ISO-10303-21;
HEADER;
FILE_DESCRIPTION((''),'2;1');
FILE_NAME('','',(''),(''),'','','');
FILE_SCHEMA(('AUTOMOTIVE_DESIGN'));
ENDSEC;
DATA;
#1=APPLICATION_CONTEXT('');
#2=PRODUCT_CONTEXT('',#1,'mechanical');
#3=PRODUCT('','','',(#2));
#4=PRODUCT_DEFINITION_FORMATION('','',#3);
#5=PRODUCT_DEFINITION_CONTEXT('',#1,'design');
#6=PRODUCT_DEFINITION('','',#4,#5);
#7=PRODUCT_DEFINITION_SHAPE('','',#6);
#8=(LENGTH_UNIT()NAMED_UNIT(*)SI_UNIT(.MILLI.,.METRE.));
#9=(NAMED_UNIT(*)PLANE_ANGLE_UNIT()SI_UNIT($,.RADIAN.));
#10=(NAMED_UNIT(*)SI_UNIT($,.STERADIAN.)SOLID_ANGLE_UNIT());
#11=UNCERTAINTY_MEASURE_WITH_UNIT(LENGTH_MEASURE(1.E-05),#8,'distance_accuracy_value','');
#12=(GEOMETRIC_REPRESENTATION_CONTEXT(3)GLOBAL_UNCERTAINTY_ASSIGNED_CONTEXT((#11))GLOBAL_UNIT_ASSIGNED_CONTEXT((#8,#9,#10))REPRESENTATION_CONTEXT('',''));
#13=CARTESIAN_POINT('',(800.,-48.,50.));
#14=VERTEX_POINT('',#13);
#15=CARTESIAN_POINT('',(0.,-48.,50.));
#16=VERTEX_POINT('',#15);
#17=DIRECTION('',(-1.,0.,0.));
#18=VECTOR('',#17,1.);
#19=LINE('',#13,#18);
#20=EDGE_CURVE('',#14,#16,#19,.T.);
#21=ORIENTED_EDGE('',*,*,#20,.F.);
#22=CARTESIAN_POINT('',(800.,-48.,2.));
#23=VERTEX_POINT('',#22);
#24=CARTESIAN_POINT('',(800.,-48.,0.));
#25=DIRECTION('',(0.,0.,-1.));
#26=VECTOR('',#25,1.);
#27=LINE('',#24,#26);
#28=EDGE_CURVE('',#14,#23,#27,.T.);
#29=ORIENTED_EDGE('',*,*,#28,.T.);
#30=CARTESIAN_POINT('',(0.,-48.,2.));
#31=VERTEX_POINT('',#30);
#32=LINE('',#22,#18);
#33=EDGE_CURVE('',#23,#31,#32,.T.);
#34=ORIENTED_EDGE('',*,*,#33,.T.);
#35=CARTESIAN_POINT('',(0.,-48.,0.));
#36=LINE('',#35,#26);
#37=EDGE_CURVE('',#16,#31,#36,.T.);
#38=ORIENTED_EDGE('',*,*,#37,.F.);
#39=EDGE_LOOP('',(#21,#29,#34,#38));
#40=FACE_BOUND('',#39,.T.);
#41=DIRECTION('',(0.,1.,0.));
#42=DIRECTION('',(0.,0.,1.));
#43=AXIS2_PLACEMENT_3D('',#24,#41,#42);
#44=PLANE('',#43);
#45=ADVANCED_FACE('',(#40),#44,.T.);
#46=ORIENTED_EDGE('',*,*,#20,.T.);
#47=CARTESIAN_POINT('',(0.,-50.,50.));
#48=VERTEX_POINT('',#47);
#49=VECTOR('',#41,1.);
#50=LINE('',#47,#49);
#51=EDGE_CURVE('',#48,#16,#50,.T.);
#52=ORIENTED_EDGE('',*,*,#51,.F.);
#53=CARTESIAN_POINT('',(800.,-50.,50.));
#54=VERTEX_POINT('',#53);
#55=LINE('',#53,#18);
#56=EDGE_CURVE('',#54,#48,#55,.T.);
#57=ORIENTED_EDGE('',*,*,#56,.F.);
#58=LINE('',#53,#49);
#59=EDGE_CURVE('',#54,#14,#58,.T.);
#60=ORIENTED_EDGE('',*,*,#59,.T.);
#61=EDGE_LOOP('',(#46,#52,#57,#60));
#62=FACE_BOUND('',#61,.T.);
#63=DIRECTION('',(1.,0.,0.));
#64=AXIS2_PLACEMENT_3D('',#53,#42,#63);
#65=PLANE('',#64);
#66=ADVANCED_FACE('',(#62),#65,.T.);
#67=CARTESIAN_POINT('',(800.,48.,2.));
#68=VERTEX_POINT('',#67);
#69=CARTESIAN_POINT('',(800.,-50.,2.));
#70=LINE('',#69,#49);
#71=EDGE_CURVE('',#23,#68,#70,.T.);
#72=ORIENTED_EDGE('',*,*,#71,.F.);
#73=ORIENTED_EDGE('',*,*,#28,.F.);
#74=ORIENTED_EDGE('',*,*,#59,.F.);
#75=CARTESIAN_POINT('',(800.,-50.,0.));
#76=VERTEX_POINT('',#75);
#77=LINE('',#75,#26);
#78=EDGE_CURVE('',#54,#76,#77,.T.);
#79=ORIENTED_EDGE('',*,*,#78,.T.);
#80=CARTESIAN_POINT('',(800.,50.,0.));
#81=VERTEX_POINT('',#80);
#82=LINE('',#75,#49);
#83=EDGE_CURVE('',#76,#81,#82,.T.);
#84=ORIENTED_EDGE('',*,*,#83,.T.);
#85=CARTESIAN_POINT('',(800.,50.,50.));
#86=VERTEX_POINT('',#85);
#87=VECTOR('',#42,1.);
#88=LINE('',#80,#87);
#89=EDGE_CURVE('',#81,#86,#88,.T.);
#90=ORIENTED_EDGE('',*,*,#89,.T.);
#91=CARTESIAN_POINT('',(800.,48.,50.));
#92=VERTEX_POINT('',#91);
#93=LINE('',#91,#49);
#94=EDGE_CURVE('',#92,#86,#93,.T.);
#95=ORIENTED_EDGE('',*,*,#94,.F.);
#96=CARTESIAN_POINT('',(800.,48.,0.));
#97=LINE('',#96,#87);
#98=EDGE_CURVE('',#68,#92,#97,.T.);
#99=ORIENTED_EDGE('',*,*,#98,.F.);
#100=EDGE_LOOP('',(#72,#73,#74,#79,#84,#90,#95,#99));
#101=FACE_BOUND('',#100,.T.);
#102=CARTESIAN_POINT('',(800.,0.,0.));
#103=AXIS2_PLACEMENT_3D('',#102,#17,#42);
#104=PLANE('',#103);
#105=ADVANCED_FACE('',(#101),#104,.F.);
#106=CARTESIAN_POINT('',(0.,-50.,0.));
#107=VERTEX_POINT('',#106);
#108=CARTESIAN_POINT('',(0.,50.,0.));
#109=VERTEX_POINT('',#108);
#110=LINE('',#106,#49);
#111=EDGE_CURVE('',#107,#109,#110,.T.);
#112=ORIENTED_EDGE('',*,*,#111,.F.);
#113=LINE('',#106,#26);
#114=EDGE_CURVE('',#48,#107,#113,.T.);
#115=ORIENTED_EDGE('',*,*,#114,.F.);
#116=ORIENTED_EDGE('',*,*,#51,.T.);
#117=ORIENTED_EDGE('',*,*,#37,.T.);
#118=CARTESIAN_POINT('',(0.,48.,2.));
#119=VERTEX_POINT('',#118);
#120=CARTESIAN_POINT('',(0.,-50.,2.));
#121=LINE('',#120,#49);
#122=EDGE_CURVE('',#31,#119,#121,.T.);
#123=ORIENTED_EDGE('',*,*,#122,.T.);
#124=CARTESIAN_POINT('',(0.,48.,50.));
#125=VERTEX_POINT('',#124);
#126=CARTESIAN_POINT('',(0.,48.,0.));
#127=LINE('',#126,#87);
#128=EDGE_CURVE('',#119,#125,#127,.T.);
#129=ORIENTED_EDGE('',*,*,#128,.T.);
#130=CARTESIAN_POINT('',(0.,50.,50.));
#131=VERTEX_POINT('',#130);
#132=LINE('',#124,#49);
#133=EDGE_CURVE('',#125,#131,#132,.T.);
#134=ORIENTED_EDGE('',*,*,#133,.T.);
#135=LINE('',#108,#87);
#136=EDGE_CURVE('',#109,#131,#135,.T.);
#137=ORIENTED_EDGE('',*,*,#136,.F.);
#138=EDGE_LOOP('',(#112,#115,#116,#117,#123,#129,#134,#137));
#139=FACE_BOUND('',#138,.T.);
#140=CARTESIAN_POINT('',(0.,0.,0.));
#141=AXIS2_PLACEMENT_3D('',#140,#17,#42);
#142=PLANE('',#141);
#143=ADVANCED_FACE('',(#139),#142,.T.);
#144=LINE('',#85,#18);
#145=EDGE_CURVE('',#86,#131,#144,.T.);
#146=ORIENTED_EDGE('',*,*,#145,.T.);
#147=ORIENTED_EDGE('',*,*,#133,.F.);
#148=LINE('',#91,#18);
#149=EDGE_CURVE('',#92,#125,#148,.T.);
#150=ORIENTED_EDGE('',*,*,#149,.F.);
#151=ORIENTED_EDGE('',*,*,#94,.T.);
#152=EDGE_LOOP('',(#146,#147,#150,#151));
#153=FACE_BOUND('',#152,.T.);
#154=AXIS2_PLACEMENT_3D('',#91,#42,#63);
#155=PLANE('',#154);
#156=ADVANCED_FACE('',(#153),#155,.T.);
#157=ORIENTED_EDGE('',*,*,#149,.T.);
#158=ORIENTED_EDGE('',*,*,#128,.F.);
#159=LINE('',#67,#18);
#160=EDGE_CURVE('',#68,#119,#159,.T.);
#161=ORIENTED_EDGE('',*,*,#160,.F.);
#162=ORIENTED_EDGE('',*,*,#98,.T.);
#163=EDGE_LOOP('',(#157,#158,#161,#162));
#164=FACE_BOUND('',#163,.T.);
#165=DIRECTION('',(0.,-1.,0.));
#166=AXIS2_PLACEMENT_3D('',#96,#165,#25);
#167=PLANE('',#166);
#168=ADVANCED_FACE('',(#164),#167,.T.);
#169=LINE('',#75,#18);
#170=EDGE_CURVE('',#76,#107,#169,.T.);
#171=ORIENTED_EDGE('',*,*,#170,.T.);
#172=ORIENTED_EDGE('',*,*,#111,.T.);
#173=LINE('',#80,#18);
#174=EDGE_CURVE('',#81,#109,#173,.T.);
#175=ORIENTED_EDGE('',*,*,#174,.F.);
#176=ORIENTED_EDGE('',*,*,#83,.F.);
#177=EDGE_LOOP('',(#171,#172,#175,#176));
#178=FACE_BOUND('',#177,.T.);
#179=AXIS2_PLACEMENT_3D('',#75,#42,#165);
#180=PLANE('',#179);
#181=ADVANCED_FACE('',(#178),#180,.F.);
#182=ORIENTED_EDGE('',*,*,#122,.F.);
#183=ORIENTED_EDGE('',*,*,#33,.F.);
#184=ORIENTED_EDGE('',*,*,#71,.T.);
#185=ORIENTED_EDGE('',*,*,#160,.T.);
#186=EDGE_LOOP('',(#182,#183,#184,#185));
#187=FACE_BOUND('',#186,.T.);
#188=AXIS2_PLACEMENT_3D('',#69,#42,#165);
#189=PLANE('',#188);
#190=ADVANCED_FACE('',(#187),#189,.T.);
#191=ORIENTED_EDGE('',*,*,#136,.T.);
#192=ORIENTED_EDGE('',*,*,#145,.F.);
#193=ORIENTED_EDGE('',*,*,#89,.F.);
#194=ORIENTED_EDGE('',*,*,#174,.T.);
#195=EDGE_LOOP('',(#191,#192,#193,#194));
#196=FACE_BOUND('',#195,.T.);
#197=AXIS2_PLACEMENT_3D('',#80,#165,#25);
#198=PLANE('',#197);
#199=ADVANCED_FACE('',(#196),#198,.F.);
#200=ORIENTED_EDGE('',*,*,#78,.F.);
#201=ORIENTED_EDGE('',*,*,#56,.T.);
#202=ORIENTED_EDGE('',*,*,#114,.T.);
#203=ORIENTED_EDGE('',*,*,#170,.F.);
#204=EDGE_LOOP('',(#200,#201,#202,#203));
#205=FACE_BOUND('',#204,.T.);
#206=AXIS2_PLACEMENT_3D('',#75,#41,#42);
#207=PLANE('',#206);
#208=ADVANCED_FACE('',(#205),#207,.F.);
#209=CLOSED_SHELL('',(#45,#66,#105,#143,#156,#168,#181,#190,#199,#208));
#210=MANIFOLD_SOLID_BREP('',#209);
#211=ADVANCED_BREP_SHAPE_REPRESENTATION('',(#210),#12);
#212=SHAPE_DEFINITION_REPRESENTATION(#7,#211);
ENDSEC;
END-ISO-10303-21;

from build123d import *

# Parameters (mm, degrees)
EXTRUIR_L_MINA1_DEPTH = 800


with BuildPart() as part:
    # Croquis2 → Extruir-Lámina1 (new body)
    with BuildSketch(Plane(origin=(0, 0, 0), x_dir=(0, 0, -1), z_dir=(1, 0, 0))):
        Polygon((-50, -50), (0, -50), (0, 50), (-50, 50), (-50, 48), (-2, 48), (-2, -48), (-50, -48), align=None)
    extrude(amount=EXTRUIR_L_MINA1_DEPTH)


solid = part.part
